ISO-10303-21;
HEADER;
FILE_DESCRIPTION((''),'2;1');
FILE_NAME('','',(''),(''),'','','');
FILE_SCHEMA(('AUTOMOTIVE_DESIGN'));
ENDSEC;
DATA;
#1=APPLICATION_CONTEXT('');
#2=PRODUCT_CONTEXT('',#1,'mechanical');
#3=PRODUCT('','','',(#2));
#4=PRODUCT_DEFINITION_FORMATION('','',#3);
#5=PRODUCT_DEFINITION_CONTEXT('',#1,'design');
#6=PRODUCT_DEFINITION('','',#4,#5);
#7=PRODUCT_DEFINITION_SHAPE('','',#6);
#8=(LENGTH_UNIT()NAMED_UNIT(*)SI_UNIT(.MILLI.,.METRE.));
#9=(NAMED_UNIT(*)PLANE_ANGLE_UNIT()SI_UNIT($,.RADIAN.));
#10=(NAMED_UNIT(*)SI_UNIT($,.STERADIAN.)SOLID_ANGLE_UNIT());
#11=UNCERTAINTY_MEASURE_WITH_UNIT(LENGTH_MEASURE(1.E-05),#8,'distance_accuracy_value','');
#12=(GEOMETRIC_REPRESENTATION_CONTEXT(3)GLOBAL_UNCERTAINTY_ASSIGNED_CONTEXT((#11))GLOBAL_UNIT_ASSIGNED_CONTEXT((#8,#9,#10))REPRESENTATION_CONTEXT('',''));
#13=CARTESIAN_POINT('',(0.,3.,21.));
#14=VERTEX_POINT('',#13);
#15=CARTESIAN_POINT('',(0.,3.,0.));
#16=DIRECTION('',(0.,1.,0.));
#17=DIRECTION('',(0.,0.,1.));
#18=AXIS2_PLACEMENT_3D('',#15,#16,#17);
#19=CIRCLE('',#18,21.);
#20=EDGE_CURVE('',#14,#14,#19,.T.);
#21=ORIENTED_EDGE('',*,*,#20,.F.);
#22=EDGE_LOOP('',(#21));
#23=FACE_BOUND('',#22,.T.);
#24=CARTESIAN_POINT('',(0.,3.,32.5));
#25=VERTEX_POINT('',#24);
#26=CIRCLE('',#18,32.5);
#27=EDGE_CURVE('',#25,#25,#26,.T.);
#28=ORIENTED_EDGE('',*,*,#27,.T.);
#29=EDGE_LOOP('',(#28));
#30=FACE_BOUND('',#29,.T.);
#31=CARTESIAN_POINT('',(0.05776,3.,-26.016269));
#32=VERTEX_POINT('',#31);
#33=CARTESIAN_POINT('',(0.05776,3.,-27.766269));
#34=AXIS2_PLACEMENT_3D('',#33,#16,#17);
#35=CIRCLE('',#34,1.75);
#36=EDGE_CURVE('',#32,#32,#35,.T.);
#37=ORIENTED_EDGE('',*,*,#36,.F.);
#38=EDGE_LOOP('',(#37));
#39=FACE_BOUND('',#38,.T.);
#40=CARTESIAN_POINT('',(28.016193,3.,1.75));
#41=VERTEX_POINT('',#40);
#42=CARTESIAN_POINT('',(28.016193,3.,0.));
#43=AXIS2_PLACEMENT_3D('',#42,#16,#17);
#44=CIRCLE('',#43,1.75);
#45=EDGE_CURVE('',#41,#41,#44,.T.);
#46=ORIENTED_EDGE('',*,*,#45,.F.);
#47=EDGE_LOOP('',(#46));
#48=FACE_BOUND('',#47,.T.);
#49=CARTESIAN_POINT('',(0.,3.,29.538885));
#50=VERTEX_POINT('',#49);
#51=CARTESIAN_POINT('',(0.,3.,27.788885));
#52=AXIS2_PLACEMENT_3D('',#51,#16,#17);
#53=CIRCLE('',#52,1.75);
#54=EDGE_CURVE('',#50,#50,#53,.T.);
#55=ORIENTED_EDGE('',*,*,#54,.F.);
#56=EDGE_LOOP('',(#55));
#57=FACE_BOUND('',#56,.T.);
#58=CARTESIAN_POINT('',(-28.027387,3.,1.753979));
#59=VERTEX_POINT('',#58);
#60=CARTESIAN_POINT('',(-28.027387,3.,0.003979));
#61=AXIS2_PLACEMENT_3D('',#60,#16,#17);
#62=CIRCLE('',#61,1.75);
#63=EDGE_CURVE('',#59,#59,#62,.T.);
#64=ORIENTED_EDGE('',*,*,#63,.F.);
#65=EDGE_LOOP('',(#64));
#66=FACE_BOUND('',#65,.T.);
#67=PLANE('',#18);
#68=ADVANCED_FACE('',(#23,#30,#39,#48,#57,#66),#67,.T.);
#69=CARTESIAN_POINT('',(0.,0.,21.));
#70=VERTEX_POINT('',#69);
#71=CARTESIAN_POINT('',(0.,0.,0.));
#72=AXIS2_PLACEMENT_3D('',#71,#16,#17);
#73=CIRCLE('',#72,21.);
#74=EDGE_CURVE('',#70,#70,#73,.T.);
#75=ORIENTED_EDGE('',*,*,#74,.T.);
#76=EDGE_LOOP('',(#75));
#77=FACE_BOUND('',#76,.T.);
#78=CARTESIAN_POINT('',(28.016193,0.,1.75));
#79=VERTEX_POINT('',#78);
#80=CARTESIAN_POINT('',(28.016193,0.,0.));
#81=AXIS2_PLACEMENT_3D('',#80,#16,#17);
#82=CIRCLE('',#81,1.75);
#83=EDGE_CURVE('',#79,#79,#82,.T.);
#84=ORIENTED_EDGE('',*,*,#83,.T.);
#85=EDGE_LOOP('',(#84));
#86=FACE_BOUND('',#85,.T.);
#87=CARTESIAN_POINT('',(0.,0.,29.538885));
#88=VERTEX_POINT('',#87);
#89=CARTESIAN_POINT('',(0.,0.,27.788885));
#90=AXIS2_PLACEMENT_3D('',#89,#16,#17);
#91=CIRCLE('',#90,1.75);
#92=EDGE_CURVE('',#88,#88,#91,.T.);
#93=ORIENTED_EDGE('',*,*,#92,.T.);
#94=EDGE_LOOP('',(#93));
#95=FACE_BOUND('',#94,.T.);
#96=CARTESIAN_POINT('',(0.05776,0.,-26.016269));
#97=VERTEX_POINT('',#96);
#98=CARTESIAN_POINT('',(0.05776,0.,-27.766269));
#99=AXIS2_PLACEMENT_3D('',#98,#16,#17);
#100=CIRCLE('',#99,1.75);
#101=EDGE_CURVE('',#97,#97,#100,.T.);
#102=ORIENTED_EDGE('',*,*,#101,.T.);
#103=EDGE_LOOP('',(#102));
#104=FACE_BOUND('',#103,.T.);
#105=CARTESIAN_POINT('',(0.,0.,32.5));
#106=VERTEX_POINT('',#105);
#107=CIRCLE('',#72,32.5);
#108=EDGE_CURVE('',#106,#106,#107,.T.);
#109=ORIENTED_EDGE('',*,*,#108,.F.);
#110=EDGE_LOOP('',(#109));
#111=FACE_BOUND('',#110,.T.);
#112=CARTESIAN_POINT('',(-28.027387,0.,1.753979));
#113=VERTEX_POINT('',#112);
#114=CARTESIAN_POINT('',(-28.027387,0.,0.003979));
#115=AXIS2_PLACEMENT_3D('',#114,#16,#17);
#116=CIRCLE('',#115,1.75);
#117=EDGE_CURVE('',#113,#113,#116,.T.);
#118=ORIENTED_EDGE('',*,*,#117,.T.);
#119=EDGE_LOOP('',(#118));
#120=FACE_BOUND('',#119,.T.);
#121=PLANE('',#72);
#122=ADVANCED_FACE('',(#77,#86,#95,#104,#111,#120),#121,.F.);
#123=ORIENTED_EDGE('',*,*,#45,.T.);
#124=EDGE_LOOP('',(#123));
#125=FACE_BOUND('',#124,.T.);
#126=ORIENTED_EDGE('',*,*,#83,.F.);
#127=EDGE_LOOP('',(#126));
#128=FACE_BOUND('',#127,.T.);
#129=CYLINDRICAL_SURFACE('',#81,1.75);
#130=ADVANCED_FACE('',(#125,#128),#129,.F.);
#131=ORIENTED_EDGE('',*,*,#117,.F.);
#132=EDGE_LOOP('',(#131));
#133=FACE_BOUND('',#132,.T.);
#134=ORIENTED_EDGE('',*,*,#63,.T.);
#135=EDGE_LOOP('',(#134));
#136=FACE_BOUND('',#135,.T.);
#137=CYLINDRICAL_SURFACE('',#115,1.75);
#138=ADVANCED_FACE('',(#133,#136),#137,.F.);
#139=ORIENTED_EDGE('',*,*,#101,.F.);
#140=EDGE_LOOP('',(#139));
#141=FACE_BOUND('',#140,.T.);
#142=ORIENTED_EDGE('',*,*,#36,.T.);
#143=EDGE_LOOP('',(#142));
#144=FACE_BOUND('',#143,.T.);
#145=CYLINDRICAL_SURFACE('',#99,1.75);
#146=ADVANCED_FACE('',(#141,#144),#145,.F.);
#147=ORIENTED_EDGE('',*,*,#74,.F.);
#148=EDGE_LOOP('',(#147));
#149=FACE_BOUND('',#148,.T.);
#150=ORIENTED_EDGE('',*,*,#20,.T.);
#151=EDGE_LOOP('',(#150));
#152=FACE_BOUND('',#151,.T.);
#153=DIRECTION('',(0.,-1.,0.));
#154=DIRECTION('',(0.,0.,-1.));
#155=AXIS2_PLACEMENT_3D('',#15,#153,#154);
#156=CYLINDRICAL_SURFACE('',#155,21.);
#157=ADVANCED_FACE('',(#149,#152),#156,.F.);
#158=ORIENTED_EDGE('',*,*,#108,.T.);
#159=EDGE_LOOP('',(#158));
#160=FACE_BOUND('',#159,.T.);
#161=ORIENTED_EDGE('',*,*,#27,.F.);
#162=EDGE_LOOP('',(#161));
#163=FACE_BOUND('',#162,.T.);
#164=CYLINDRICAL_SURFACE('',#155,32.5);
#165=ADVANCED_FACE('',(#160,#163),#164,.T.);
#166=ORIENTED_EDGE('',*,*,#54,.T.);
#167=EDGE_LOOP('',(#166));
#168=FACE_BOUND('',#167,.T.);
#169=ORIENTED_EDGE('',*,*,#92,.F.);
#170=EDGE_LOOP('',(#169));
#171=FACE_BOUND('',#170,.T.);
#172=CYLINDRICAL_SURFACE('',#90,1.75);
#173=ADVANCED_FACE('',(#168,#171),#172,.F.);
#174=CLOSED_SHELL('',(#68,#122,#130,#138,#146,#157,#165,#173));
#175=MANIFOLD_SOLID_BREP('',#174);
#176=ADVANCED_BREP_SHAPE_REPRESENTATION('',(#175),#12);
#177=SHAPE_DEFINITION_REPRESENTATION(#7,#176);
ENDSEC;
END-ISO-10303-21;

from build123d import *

# Parameters (mm, degrees)
SKETCH1_R                = 32.5
SKETCH1_R_2              = 21
BOSS_EXTRUDE2_DEPTH      = 3
SKETCH2_R                = 1.75
CUT_EXTRUDE2_DEPTH       = 1
CUT_EXTRUDE2_DEPTH_BACK  = 4
SKETCH5_R                = 1.75
CUT_EXTRUDE4_DEPTH       = 1
CUT_EXTRUDE4_DEPTH_BACK  = 4
SKETCH13_R               = 1.75
CUT_EXTRUDE12_DEPTH      = 1
CUT_EXTRUDE12_DEPTH_BACK = 4


with BuildPart() as part:
    # Sketch1 → Boss-Extrude2 (new body)
    with BuildSketch(Plane(origin=(0, 0, 0), x_dir=(1, 0, 0), z_dir=(0, 1, 0))):
        Circle(SKETCH1_R)
        Circle(SKETCH1_R_2, mode=Mode.SUBTRACT)
    extrude(amount=BOSS_EXTRUDE2_DEPTH)

    # Sketch2 → Cut-Extrude2 (cut, two sides)
    with BuildSketch(Plane(origin=(0, 3, 0), x_dir=(1, 0, 0), z_dir=(0, 1, 0))) as cut_extrude2_sk:
        with Locations((0, -27.788884535)):
            Circle(SKETCH2_R)
    extrude(amount=CUT_EXTRUDE2_DEPTH, mode=Mode.SUBTRACT)
    extrude(cut_extrude2_sk.sketch, amount=-CUT_EXTRUDE2_DEPTH_BACK, mode=Mode.SUBTRACT)

    # Sketch5 → Cut-Extrude4 (cut, two sides)
    with BuildSketch(Plane(origin=(0, 3, 0), x_dir=(1, 0, 0), z_dir=(0, 1, 0))) as cut_extrude4_sk:
        with Locations((0.057759675, 27.766269398)):
            Circle(SKETCH5_R)
    extrude(amount=CUT_EXTRUDE4_DEPTH, mode=Mode.SUBTRACT)
    extrude(cut_extrude4_sk.sketch, amount=-CUT_EXTRUDE4_DEPTH_BACK, mode=Mode.SUBTRACT)

    # Sketch13 → Cut-Extrude12 (cut, two sides)
    with BuildSketch(Plane(origin=(0, 3, 0), x_dir=(1, 0, 0), z_dir=(0, 1, 0))) as cut_extrude12_sk:
        with Locations((-28.027387252, -0.003979104)):
            Circle(SKETCH13_R)
        with Locations((28.01619309, 0)):
            Circle(SKETCH13_R)
    extrude(amount=CUT_EXTRUDE12_DEPTH, mode=Mode.SUBTRACT)
    extrude(cut_extrude12_sk.sketch, amount=-CUT_EXTRUDE12_DEPTH_BACK, mode=Mode.SUBTRACT)


solid = part.part
